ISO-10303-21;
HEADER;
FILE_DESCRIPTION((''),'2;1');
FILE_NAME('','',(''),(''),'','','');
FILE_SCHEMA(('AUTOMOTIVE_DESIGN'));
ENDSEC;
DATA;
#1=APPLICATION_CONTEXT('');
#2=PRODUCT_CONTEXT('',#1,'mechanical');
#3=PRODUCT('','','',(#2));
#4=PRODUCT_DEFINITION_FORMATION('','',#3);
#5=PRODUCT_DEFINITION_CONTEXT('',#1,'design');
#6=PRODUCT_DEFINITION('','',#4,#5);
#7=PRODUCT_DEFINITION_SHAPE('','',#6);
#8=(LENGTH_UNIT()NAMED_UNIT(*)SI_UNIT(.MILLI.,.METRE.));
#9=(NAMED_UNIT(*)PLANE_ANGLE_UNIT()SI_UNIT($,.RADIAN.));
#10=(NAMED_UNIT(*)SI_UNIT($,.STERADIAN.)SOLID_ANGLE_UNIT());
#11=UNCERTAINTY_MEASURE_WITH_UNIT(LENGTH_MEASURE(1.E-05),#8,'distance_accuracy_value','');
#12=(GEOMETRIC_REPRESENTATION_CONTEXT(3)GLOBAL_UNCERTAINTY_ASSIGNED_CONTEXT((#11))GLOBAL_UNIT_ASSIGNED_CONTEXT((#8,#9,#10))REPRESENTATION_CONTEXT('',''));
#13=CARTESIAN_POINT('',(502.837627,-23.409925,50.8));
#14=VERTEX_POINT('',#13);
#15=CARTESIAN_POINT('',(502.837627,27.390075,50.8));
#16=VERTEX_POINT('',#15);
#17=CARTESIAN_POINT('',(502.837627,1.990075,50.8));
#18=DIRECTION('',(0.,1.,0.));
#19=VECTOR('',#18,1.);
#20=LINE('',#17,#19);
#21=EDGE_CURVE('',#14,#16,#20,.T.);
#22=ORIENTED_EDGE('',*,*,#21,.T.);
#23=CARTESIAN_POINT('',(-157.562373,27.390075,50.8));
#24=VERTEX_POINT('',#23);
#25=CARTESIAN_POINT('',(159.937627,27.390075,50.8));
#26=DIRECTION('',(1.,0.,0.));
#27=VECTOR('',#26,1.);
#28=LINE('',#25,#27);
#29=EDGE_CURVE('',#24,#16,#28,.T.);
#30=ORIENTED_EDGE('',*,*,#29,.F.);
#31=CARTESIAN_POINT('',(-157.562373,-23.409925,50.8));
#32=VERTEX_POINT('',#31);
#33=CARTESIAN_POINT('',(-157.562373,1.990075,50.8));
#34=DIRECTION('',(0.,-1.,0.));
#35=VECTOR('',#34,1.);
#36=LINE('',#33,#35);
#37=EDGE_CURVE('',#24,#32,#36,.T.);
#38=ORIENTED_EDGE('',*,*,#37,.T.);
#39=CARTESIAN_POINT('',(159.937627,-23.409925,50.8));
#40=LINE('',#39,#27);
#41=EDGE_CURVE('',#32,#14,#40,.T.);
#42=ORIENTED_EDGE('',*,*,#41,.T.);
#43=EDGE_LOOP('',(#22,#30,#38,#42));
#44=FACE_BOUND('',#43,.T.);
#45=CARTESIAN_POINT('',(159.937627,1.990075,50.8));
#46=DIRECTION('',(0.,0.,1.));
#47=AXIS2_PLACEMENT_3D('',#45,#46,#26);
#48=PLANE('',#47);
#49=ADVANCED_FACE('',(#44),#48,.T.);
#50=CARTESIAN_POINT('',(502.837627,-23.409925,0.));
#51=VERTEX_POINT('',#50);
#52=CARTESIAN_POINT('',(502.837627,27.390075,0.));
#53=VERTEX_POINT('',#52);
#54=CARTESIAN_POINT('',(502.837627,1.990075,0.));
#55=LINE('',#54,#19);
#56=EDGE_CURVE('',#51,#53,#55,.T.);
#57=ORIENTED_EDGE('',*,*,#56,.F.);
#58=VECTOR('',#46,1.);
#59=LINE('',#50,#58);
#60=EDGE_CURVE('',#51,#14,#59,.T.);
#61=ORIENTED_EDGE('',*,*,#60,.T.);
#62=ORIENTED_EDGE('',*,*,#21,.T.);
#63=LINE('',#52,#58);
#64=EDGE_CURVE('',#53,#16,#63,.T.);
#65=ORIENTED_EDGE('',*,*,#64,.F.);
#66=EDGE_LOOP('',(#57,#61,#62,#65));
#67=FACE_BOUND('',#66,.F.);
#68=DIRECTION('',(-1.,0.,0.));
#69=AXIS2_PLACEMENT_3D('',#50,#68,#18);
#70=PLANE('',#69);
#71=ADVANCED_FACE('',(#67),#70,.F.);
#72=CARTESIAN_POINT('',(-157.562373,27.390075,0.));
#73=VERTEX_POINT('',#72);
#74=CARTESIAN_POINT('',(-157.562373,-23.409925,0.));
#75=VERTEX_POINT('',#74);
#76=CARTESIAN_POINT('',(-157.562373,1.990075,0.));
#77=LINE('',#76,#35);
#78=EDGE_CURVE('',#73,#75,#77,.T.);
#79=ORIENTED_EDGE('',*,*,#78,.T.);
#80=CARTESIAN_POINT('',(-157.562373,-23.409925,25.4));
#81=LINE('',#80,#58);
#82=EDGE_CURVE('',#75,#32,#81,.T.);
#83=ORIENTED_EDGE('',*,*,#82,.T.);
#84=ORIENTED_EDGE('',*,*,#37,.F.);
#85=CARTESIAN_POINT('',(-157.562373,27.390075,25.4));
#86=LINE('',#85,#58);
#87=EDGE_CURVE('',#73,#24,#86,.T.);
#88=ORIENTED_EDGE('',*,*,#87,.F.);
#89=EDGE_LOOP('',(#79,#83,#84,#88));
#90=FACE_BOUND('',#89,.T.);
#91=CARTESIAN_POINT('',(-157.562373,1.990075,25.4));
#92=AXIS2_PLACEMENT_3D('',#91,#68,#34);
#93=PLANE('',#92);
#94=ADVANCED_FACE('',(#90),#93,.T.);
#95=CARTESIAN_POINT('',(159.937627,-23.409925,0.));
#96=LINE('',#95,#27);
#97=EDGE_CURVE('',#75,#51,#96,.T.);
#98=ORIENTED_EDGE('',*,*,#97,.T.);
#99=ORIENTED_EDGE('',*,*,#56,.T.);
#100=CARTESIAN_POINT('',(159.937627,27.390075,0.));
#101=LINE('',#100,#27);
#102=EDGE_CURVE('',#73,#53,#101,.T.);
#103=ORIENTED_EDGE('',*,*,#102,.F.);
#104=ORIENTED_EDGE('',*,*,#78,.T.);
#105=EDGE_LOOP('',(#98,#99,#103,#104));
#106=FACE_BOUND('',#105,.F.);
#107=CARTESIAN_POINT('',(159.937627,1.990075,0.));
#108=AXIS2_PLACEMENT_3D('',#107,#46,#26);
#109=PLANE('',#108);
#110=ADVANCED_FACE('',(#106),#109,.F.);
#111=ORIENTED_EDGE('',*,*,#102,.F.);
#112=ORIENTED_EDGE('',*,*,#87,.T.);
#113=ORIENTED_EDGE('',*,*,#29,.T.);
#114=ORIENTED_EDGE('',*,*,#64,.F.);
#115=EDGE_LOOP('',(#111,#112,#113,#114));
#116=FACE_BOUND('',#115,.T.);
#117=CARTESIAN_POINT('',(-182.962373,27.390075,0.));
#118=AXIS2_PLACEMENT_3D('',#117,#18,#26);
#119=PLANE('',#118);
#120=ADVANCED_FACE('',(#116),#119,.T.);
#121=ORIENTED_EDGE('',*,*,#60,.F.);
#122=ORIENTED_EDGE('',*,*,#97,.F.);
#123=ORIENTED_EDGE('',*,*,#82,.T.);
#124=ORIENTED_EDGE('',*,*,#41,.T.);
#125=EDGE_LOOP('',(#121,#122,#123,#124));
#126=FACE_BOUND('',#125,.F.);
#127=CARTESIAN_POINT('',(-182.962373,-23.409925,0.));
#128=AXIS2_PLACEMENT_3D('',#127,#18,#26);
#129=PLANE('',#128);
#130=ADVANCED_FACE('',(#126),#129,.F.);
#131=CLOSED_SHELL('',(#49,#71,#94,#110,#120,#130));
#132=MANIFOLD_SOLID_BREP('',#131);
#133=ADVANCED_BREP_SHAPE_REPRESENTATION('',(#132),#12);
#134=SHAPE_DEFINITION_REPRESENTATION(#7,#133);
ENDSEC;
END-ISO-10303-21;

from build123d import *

# Parameters (mm, degrees)
F0_W      = 685.8
F0_H      = 50.8
F1_DEPTH  = 50.8
F1_FACE_W = 50.8
F1_FACE_H = 50.8
F2_DEPTH  = 25.4


with BuildPart() as f1:
    # F0 (on Top) → F1 (new body)
    with BuildSketch(Plane.XY):
        with Locations((159.937627, 1.990075)):
            Rectangle(F0_W, F0_H)
    extrude(amount=F1_DEPTH)

    # F1_face (on face) → F2 (cut)
    with BuildSketch(Plane(origin=(-182.962373, 1.990075, 25.4), x_dir=(0, -1, 0), z_dir=(-1, 0, 0))):
        Rectangle(F1_FACE_W, F1_FACE_H)
    extrude(amount=-F2_DEPTH, mode=Mode.SUBTRACT)


solid = f1.part
